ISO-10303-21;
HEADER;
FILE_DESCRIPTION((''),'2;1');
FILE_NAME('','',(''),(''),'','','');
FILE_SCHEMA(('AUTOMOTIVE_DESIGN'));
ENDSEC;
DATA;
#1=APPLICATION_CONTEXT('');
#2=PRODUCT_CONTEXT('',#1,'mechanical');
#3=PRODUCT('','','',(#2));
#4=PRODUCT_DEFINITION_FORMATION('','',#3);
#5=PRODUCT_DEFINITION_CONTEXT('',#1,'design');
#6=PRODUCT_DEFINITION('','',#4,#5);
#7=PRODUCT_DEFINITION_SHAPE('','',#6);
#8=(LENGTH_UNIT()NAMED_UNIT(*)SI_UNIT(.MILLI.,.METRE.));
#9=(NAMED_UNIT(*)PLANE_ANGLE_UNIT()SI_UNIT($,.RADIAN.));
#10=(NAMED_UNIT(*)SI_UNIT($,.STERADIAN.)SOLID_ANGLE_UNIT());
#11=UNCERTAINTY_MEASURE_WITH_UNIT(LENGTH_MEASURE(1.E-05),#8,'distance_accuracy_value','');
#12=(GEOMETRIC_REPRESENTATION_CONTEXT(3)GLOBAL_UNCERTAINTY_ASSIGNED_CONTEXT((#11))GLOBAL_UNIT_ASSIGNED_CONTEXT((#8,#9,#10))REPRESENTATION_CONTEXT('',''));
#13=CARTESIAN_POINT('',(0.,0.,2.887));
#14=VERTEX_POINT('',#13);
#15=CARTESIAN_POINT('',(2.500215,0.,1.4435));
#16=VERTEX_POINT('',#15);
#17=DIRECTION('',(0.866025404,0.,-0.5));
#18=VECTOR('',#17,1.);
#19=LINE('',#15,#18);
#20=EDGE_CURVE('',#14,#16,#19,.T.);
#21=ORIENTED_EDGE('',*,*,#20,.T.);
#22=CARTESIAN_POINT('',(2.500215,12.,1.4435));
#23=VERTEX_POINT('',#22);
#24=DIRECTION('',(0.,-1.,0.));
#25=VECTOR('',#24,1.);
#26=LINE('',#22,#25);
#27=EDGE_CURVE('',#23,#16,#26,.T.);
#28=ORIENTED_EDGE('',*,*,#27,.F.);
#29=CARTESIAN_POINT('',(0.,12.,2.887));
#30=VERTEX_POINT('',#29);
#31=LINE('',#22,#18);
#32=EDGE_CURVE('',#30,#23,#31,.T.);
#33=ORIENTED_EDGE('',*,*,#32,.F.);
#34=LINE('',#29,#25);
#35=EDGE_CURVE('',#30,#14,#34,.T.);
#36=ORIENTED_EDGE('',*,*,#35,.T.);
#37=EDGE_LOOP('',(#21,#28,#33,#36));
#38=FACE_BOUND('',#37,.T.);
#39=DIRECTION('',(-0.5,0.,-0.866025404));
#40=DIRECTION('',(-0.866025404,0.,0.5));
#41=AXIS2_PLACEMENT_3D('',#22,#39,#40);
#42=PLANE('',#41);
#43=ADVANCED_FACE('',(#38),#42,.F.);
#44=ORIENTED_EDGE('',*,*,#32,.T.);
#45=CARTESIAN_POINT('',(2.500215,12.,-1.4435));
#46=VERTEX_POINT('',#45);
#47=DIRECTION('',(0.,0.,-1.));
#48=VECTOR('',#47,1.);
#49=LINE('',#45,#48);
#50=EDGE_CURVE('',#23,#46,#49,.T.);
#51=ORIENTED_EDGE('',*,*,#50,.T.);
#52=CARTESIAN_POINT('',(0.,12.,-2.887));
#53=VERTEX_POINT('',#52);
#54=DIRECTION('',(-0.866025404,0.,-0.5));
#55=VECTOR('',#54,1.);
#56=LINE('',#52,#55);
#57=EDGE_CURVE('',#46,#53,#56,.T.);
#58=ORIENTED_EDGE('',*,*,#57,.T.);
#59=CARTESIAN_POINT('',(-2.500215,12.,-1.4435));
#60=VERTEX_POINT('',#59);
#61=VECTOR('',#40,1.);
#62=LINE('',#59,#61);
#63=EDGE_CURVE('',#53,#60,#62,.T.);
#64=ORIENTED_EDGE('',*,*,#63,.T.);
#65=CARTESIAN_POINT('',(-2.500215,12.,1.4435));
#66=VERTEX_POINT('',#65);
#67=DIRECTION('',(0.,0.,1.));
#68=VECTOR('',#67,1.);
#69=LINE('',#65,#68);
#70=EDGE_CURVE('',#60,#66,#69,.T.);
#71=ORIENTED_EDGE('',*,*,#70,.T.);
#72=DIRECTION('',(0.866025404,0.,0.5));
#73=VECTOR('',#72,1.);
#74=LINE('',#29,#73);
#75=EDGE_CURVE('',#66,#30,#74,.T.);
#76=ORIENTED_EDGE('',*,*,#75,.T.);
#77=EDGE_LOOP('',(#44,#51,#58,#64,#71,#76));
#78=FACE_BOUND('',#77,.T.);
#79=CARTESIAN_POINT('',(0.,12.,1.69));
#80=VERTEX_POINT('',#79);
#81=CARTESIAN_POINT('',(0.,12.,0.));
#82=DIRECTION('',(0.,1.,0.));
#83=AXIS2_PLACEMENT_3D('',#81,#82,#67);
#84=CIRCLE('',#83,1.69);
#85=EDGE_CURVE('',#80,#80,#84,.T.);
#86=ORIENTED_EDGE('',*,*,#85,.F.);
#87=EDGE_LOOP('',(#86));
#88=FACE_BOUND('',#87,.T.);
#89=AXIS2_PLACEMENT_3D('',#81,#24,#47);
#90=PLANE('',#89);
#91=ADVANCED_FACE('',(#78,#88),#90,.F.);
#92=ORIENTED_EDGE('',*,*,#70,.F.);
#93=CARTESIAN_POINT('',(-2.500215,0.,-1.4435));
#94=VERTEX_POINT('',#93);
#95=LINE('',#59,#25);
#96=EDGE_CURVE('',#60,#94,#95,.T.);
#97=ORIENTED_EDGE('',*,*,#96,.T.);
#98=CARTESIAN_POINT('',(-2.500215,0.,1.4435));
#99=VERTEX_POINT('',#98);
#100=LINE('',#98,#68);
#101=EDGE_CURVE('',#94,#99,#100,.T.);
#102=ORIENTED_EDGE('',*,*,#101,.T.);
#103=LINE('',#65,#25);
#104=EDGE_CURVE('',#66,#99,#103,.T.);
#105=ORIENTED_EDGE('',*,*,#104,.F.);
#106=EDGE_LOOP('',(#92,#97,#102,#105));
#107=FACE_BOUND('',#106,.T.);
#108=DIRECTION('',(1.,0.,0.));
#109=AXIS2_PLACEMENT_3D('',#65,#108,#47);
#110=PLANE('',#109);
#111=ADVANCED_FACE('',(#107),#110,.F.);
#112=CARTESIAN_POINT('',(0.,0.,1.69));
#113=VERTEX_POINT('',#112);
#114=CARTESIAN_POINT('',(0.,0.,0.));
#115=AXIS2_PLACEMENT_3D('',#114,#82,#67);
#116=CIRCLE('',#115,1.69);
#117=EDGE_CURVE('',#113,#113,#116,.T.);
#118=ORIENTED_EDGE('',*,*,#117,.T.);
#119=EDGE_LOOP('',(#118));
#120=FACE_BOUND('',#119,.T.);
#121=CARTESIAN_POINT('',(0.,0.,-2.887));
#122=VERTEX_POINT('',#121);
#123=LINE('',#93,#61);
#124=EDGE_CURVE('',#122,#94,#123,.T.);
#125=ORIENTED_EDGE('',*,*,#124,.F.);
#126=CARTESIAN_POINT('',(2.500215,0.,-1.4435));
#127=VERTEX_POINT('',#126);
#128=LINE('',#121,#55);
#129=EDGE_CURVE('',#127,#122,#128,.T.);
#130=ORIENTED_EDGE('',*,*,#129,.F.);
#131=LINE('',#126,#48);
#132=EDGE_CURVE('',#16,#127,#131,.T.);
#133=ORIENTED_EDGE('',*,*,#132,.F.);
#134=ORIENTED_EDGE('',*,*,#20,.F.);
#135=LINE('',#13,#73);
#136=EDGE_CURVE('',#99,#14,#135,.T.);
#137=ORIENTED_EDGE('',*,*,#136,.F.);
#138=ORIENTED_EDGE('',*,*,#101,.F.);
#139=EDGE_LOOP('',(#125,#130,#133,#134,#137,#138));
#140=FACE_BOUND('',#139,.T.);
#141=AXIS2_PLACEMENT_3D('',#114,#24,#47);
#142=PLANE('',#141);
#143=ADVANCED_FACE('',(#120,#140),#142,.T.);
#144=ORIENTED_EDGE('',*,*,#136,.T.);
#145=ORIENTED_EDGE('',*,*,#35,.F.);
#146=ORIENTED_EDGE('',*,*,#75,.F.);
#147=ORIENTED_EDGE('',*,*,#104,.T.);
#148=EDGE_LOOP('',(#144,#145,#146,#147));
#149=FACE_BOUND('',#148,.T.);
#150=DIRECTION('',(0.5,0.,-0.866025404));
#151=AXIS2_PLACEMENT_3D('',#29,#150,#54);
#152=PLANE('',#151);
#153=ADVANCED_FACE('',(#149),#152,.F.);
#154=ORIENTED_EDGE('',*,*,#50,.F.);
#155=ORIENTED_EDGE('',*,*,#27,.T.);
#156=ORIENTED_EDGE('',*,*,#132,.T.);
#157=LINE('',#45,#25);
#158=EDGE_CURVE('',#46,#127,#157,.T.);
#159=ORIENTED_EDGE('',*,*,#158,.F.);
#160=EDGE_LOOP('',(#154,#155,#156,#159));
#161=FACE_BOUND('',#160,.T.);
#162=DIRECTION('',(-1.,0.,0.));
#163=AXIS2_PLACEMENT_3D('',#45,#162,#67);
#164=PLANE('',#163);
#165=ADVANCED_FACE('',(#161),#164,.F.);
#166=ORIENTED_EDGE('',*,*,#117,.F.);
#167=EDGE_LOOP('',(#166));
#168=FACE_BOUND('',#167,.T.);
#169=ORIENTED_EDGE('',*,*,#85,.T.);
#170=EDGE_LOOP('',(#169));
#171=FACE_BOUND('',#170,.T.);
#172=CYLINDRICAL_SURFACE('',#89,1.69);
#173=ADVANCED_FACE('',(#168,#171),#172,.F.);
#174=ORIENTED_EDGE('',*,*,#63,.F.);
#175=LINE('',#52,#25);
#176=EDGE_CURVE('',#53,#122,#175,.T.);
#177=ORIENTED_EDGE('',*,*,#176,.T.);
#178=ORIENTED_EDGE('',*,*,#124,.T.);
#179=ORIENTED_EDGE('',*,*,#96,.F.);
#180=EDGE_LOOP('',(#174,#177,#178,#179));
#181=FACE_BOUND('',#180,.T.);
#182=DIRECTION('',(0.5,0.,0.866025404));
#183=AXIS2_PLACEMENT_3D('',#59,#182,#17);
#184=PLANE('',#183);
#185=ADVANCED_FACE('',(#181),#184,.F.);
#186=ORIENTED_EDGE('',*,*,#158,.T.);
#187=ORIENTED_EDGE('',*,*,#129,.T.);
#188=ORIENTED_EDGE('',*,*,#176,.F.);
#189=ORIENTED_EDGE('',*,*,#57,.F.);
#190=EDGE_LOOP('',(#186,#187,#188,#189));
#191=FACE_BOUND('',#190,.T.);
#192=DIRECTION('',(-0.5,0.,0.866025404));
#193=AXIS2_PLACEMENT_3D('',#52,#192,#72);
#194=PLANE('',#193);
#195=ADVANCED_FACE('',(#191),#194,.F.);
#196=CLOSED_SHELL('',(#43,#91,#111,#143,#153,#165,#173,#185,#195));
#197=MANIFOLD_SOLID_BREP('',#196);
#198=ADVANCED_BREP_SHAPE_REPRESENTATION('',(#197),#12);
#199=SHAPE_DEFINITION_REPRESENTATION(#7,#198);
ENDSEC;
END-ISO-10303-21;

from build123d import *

# Parameters (mm, degrees)
SKETCH2_R           = 1.69
BOSS_EXTRUDE1_DEPTH = 12


with BuildPart() as part:
    # Sketch2 → Boss-Extrude1 (new body)
    with BuildSketch(Plane(origin=(0, 0, 0), x_dir=(1, 0, 0), z_dir=(0, 1, 0))):
        Polygon((0, 2.887), (2.500215341, 1.4435), (2.500215341, -1.4435), (0, -2.887), (-2.500215341, -1.4435), (-2.500215341, 1.4435), align=None)
        with Locations(Location((0, 0, 0), (0, 0, 270))):
            Circle(SKETCH2_R, mode=Mode.SUBTRACT)
    extrude(amount=BOSS_EXTRUDE1_DEPTH)


solid = part.part
